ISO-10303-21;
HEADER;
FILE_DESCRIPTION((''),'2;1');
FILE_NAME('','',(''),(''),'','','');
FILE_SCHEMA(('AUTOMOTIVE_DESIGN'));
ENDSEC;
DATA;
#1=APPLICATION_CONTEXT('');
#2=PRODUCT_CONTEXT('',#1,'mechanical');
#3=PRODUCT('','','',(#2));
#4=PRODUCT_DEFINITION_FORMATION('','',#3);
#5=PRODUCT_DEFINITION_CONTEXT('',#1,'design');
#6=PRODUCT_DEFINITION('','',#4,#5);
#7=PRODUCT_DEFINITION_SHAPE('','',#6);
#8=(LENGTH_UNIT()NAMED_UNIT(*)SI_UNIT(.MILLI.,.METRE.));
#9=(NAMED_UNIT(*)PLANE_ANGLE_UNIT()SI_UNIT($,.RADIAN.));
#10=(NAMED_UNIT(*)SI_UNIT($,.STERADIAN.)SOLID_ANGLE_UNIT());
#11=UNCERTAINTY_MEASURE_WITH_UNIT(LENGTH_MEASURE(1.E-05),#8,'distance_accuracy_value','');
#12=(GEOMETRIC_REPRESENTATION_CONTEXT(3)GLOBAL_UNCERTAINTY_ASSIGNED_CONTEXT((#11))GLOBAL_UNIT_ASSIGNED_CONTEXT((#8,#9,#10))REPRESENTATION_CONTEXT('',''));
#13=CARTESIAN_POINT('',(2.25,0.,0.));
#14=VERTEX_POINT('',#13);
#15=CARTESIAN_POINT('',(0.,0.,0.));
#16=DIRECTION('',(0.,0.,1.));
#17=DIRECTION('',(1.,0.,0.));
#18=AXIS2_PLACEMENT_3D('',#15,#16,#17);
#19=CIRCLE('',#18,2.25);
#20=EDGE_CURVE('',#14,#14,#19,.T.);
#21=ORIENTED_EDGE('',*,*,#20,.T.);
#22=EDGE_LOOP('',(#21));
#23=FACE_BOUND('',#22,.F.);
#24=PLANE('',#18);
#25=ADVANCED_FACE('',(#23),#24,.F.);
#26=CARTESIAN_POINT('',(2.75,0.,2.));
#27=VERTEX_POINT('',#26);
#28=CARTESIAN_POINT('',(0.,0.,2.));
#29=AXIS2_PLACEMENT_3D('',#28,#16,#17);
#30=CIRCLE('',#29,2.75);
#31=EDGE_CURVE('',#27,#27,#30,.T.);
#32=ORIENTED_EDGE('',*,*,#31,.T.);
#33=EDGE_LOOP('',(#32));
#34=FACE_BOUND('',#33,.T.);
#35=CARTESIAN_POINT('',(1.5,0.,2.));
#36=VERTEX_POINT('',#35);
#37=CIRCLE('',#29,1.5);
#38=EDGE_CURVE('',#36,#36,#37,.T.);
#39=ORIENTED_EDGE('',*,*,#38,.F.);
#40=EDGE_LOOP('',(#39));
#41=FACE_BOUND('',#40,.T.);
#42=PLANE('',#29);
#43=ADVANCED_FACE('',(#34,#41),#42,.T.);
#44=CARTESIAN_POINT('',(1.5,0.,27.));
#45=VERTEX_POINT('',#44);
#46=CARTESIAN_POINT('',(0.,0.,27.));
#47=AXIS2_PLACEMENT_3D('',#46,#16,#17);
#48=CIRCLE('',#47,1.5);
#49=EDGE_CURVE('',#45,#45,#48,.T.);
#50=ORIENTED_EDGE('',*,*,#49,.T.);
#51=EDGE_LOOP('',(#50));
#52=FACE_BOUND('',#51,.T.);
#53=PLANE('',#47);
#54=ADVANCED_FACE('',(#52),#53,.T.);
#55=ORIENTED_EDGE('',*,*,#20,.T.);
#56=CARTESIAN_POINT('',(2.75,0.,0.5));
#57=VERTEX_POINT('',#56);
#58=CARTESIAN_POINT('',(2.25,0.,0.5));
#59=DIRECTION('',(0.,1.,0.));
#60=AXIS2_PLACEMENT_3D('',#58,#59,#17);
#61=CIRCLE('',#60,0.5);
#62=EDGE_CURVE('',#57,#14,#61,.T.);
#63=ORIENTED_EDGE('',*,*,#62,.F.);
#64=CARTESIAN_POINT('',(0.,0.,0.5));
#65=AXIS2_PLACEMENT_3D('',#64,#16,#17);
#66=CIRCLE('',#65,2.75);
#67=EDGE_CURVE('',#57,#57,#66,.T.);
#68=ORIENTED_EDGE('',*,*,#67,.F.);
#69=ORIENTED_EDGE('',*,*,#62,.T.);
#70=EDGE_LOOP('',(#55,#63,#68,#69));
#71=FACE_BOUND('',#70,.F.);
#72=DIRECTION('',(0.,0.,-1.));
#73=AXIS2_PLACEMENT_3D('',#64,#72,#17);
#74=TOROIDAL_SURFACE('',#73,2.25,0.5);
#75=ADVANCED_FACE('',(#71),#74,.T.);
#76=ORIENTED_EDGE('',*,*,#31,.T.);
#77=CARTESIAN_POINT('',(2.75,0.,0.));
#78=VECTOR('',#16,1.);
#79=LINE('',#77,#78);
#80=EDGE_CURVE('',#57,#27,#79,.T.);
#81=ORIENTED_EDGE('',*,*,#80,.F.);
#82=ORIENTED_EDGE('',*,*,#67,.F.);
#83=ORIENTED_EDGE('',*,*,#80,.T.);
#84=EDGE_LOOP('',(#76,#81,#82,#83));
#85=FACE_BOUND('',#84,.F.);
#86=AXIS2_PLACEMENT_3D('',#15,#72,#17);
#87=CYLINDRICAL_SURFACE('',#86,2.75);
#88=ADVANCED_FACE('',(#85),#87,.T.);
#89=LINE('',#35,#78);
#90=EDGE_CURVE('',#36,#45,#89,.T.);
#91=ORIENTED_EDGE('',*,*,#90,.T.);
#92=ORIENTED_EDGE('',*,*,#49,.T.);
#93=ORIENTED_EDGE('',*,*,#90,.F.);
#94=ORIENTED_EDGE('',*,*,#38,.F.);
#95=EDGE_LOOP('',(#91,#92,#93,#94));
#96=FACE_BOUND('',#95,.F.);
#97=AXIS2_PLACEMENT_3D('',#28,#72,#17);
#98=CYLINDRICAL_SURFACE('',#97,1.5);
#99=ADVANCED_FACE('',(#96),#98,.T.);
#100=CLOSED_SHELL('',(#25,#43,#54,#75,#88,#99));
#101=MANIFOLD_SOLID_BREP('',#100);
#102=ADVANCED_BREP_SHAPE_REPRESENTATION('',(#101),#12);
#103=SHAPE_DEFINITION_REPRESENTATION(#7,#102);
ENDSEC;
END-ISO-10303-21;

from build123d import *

# Parameters (mm, degrees)
SKETCH_R     = 2.75
PAD_DEPTH    = 2
SKETCH001_R  = 1.5
PAD001_DEPTH = 25
FILLET_R     = 0.5


with BuildPart() as part:
    # Sketch → Pad (new body)
    with BuildSketch(Plane.XY):
        Circle(SKETCH_R)
    extrude(amount=PAD_DEPTH)

    # Sketch001 → Pad001 (new body)
    with BuildSketch(Plane.XY.offset(2)):
        Circle(SKETCH001_R)
    extrude(amount=PAD001_DEPTH)

    # Fillet
    fillet_edges = [part.edges().sort_by_distance(p)[0] for p in [
        (-2.75, 0, 0),
    ]]
    fillet(fillet_edges, radius=FILLET_R)


solid = part.part
